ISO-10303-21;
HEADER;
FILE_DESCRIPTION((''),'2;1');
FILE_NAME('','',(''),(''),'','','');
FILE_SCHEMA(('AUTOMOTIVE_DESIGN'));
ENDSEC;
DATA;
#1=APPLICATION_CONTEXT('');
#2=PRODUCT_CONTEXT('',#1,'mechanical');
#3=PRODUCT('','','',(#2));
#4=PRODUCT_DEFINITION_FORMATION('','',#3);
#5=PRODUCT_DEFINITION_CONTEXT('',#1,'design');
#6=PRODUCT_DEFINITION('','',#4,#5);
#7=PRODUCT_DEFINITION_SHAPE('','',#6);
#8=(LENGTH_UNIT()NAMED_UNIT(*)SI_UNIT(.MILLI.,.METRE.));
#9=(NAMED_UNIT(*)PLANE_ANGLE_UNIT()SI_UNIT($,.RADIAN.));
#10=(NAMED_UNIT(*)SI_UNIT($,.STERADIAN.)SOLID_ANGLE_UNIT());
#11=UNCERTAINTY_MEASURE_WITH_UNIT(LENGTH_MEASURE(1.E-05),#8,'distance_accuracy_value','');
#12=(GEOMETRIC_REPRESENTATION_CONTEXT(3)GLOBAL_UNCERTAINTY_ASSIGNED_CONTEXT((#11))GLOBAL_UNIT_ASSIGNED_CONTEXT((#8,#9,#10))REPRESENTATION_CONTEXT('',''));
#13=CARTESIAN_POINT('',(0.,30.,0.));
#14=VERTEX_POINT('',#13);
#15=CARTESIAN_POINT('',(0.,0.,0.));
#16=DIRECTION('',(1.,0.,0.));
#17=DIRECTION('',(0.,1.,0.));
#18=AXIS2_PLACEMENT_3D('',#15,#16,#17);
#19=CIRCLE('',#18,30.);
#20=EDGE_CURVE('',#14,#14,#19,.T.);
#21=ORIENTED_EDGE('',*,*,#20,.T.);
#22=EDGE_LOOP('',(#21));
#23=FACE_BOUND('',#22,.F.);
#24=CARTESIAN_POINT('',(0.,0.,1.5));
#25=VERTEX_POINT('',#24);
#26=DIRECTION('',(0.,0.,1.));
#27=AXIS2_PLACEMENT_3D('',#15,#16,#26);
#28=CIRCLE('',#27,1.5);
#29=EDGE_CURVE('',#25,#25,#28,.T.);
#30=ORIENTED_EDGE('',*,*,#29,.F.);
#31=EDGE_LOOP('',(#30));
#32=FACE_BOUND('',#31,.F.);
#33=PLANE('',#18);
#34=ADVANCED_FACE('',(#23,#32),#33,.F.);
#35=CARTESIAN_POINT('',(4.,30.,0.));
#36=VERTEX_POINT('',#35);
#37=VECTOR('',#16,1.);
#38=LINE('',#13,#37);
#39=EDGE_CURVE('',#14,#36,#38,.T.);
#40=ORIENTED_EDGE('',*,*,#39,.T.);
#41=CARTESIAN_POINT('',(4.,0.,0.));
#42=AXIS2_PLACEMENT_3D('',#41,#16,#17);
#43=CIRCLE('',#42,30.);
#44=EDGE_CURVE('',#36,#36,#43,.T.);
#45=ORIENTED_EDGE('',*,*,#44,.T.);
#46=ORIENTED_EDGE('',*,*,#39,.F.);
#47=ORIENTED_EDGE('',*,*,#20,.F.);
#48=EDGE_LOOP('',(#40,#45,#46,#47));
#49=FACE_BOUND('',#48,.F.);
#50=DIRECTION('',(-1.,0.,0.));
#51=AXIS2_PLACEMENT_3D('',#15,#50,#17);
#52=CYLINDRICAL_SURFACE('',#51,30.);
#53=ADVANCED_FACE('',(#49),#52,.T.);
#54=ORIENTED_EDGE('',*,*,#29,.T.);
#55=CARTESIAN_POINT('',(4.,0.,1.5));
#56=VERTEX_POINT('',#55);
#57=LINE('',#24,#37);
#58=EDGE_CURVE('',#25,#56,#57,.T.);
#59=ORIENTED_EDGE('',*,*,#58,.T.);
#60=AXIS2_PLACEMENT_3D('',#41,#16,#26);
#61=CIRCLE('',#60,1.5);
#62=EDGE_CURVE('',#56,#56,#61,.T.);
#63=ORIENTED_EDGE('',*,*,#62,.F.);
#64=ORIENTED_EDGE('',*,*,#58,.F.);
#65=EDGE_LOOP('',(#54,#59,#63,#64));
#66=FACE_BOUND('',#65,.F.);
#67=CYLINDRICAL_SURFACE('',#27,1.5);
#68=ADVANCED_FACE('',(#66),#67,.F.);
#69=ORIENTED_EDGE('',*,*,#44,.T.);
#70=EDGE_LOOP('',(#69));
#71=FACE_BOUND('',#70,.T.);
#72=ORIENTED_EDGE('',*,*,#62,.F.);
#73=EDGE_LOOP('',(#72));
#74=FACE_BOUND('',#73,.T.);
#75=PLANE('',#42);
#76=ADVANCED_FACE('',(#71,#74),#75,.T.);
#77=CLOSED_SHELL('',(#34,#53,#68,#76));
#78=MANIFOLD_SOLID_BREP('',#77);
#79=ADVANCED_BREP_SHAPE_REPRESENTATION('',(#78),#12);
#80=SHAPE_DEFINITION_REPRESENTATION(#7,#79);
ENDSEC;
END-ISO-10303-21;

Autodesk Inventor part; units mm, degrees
ref_plane "YZ Plane" through (0, 0, 0) normal (1, 0, 0) x (0, 1, 0)
ref_plane "XZ Plane" through (0, 0, 0) normal (0, 1, 0) x (-1, 0, 0)
ref_plane "XY Plane" through (0, 0, 0) normal (0, 0, 1) x (1, 0, 0)
sketch "Sketch1" plane through (0, 0, 0) normal (1, 0, 0) x (0, 1, 0)
  circle A0 centre (0, 0) radius 30
  dimension "d228" = 60
extrude "Extrusion1" add sketch "Sketch1" along normal blind 4
hole "Hole1" at (0, 0, 0) direction (1, 0, 0) diameter 3 end through all
properties part number "Langbektang houder"
